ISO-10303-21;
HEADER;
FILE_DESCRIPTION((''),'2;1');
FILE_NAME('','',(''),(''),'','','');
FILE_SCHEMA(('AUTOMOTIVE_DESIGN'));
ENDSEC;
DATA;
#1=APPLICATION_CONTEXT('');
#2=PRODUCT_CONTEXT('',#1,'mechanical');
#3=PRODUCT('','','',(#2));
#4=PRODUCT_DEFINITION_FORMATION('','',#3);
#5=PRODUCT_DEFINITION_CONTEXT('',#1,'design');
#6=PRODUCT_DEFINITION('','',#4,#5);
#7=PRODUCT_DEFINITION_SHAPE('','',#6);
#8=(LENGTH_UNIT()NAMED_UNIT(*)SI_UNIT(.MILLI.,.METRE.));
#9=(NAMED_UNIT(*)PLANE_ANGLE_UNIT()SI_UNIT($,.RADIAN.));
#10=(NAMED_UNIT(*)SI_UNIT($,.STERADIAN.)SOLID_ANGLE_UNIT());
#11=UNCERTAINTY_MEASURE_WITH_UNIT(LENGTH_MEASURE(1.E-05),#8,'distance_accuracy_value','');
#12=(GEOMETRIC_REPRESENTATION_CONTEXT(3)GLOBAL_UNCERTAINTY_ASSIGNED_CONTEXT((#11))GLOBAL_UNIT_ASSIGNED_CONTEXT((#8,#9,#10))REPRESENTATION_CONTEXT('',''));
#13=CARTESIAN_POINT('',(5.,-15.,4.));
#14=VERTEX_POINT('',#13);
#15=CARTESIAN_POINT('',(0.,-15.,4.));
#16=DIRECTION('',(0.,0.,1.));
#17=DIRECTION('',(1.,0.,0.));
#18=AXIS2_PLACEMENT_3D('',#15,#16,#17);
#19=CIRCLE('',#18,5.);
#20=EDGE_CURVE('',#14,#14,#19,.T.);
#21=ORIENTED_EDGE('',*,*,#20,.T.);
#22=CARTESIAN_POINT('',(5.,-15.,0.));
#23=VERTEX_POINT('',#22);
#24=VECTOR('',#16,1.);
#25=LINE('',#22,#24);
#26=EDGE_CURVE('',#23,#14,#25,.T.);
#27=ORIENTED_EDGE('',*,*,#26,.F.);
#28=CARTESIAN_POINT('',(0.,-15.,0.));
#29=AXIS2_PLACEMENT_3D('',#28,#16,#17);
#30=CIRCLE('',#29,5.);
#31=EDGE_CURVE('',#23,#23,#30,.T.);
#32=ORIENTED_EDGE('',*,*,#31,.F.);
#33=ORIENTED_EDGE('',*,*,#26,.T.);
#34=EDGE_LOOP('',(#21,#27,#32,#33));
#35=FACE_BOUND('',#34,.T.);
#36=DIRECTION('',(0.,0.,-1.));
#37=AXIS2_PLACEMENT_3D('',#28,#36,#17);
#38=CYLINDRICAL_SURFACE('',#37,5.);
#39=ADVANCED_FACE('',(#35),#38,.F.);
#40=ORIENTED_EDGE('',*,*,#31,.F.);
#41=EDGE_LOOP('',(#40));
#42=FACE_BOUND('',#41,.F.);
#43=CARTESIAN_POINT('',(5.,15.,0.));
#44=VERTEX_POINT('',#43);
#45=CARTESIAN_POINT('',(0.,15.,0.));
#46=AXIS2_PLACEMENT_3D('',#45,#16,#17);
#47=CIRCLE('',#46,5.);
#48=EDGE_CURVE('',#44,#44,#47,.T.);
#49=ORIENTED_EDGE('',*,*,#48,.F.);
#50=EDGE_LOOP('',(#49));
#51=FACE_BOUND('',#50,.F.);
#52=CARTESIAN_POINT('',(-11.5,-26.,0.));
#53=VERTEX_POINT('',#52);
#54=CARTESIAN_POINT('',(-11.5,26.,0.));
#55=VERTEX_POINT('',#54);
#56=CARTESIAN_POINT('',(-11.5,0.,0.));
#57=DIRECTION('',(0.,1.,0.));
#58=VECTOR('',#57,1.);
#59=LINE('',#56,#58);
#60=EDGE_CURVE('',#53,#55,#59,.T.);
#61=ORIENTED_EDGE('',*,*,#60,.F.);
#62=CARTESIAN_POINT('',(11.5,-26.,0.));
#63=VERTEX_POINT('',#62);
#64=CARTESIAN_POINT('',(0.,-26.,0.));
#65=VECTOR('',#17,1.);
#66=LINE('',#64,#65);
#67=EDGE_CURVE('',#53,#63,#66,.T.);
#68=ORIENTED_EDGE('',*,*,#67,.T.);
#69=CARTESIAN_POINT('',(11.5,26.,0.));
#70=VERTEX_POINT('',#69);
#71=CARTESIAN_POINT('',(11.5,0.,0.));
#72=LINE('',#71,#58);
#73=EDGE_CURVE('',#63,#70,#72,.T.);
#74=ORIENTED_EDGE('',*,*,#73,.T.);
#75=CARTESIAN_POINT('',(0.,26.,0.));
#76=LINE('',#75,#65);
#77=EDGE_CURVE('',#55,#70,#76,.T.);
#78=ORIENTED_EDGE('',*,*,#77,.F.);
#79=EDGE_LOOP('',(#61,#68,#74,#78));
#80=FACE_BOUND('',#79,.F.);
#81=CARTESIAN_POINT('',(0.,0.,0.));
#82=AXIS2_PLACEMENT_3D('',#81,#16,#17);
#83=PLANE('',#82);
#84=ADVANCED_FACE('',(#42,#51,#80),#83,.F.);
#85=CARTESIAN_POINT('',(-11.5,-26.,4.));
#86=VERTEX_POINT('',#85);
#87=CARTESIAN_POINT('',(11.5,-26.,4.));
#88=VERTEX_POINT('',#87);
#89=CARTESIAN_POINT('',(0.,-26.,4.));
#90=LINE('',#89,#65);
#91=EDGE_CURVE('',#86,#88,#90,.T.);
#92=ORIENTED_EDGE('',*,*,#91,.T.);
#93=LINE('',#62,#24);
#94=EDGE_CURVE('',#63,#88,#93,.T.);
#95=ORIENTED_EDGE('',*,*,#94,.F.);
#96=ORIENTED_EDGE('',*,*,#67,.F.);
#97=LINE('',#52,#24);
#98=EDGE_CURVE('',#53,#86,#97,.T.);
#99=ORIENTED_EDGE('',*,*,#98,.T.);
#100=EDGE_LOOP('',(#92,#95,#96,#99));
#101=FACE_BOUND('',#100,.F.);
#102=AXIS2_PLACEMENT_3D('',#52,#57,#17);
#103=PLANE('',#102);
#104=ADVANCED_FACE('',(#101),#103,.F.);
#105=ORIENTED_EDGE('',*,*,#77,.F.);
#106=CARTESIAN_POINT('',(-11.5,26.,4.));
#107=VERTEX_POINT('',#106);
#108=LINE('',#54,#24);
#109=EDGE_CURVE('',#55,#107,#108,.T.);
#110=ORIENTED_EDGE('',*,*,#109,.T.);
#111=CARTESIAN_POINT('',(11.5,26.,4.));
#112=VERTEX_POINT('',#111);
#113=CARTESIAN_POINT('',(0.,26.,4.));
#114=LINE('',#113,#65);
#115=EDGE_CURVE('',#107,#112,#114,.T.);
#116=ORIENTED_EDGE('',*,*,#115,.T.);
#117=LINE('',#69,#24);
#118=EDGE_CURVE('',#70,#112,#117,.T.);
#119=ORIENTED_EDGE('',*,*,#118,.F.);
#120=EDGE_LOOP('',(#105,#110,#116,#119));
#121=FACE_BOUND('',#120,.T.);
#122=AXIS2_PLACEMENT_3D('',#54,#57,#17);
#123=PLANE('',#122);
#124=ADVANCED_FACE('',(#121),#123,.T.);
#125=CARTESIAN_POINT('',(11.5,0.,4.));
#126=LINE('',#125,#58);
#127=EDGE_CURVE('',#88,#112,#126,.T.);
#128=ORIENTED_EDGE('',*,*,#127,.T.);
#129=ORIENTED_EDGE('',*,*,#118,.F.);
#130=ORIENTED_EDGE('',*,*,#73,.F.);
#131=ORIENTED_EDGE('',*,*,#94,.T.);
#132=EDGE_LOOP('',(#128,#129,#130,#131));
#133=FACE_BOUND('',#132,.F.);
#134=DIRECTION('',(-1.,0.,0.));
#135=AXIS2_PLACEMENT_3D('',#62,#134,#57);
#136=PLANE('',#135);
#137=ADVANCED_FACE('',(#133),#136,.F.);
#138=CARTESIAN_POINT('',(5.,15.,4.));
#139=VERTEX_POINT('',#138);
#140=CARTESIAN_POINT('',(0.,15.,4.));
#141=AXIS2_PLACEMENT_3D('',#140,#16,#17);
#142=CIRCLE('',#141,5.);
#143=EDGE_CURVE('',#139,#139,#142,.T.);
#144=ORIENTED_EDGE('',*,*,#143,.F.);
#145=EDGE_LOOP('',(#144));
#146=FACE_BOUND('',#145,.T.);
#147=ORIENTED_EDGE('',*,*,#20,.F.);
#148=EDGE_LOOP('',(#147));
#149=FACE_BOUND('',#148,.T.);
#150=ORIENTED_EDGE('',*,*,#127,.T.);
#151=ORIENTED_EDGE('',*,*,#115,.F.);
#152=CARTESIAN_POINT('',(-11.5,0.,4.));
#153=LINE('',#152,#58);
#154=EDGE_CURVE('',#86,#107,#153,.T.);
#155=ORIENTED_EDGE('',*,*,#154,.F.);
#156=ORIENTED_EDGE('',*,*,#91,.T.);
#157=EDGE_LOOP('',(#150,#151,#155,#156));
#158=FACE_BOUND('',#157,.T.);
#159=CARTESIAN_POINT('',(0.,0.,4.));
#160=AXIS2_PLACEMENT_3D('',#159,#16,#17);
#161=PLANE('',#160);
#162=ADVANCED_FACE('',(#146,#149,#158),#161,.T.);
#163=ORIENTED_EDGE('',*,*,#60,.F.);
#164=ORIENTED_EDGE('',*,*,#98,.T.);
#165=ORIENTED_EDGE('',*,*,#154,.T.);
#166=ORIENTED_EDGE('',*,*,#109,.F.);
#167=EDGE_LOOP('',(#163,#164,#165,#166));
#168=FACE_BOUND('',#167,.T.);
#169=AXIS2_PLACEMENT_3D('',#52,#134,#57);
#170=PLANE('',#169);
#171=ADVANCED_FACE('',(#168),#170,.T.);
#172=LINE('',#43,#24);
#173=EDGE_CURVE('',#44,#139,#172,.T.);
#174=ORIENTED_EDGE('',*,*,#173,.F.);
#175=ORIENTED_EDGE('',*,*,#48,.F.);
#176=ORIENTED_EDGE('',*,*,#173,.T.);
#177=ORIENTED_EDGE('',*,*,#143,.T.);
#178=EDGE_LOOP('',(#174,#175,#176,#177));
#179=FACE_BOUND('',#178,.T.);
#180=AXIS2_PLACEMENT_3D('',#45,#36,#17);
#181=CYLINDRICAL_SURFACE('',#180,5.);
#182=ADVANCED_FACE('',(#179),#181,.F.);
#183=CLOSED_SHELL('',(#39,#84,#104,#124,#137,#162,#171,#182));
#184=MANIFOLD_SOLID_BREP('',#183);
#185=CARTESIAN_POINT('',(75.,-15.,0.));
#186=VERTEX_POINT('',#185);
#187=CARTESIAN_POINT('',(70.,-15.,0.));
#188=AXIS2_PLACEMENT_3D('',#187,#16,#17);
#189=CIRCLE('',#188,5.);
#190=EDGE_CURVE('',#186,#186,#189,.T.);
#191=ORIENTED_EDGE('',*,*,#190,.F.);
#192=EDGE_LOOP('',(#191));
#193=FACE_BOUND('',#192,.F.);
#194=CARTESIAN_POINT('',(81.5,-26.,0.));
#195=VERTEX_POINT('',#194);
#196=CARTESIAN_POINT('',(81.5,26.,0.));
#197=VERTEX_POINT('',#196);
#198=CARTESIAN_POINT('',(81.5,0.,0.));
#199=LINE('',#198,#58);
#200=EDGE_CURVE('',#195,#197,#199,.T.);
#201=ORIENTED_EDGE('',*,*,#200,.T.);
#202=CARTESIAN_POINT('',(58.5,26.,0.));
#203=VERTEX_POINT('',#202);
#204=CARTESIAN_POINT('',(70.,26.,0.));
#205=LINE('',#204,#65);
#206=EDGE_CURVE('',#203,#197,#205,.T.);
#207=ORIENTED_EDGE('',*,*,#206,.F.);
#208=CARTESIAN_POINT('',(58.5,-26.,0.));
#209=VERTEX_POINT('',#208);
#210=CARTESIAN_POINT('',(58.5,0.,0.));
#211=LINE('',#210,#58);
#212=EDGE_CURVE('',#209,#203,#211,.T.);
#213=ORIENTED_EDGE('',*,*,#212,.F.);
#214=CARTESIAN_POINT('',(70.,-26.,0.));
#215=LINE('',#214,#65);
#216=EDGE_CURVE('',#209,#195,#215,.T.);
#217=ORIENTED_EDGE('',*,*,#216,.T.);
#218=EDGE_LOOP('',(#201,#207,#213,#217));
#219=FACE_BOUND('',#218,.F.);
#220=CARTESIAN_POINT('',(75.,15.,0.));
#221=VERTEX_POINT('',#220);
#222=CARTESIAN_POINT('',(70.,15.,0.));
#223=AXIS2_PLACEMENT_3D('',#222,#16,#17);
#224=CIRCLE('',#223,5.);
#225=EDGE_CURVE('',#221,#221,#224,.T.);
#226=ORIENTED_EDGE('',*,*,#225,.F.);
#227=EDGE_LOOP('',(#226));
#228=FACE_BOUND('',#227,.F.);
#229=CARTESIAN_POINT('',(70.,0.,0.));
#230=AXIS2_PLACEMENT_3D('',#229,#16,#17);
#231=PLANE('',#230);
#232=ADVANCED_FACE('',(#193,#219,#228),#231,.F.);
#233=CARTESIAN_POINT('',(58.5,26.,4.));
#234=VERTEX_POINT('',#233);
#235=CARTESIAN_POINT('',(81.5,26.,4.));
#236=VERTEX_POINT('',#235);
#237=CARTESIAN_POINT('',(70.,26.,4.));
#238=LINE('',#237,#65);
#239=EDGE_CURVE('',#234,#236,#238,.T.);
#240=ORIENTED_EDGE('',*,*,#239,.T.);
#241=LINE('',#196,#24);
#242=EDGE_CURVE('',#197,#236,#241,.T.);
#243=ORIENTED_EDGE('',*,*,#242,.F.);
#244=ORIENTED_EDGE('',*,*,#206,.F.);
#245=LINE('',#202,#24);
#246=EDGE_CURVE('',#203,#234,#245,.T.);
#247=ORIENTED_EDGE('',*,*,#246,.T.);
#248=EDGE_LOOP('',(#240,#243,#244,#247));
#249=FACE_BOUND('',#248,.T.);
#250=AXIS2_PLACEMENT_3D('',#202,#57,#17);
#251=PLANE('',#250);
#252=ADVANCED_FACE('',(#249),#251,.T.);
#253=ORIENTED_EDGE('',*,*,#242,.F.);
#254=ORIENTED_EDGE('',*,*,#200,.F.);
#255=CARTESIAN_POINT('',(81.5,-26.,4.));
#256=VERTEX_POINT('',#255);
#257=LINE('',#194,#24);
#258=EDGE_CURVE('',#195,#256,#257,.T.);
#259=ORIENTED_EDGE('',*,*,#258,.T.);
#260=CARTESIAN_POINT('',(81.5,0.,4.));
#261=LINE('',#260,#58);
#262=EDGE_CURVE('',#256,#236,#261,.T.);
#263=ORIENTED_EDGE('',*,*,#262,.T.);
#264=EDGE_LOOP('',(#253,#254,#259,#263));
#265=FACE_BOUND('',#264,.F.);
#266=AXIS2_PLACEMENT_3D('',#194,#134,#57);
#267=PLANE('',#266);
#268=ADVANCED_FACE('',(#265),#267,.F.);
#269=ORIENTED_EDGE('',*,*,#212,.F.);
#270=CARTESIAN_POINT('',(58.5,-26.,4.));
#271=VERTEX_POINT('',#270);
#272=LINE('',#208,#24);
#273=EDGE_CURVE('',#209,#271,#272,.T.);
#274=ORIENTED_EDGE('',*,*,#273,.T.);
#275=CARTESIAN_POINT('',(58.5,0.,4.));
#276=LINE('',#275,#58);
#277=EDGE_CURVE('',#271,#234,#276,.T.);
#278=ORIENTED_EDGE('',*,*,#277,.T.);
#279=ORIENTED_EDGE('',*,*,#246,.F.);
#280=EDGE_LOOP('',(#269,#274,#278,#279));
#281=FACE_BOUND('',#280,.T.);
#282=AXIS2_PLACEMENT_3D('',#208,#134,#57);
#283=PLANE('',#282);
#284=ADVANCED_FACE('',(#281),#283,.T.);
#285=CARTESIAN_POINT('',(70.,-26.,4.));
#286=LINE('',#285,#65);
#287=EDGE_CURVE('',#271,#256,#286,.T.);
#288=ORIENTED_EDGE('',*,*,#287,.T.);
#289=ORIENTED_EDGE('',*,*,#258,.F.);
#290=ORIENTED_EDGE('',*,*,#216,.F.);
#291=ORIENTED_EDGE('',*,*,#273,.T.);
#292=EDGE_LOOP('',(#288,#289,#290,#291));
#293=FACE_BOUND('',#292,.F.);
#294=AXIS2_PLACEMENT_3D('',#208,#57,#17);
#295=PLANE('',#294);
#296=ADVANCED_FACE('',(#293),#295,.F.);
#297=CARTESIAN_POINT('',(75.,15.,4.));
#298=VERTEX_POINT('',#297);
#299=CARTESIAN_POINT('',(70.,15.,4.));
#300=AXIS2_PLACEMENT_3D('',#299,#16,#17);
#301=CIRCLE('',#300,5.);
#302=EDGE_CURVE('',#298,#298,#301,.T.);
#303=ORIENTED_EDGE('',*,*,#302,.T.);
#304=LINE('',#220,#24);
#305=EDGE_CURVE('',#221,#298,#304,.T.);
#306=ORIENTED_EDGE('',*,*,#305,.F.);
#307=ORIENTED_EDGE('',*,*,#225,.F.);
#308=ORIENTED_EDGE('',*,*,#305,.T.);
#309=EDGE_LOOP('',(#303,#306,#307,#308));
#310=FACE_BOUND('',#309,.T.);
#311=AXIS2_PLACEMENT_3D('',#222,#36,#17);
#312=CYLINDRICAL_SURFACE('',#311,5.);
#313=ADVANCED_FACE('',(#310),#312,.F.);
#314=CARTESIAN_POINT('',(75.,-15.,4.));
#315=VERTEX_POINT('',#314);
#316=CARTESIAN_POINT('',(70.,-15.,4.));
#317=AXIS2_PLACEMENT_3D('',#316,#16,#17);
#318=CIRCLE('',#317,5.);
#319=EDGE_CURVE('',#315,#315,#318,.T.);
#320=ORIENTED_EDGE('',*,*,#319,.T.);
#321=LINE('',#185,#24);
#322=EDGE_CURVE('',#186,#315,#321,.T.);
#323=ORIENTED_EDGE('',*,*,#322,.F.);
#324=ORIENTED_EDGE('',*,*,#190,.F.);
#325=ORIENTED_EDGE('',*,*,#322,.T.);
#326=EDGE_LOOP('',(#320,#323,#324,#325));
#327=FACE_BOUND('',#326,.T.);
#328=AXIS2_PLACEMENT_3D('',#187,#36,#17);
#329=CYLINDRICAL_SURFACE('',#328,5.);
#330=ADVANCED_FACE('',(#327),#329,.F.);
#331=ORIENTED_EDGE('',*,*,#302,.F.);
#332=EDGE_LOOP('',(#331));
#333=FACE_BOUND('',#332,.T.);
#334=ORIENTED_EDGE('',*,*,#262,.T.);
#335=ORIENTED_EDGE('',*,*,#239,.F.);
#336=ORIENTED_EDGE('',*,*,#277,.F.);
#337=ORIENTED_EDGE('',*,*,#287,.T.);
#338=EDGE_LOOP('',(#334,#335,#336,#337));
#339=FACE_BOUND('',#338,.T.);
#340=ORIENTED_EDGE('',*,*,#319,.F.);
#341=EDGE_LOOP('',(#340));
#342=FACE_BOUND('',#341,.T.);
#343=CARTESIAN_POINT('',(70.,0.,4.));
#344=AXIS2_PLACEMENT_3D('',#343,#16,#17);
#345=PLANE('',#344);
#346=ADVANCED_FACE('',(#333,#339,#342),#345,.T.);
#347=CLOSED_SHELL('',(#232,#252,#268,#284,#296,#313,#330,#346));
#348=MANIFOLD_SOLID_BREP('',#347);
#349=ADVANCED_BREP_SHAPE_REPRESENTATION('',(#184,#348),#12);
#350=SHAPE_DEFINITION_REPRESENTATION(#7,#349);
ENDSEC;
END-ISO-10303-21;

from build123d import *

# Parameters (mm, degrees)
F0_W     = 23
F0_H     = 52
F0_R     = 5
F1_DEPTH = 4


with BuildPart() as f1:
    # F0 (on Top) → F1 (new body)
    with BuildSketch(Plane.XY):
        with Locations((70, 0)):
            Rectangle(F0_W, F0_H)
        with Locations((70, -15)):
            Circle(F0_R, mode=Mode.SUBTRACT)
        with Locations((70, 15)):
            Circle(F0_R, mode=Mode.SUBTRACT)
        Rectangle(F0_W, F0_H)
        with Locations((0, -15)):
            Circle(F0_R, mode=Mode.SUBTRACT)
        with Locations((0, 15)):
            Circle(F0_R, mode=Mode.SUBTRACT)
    extrude(amount=F1_DEPTH)


solid = f1.part
